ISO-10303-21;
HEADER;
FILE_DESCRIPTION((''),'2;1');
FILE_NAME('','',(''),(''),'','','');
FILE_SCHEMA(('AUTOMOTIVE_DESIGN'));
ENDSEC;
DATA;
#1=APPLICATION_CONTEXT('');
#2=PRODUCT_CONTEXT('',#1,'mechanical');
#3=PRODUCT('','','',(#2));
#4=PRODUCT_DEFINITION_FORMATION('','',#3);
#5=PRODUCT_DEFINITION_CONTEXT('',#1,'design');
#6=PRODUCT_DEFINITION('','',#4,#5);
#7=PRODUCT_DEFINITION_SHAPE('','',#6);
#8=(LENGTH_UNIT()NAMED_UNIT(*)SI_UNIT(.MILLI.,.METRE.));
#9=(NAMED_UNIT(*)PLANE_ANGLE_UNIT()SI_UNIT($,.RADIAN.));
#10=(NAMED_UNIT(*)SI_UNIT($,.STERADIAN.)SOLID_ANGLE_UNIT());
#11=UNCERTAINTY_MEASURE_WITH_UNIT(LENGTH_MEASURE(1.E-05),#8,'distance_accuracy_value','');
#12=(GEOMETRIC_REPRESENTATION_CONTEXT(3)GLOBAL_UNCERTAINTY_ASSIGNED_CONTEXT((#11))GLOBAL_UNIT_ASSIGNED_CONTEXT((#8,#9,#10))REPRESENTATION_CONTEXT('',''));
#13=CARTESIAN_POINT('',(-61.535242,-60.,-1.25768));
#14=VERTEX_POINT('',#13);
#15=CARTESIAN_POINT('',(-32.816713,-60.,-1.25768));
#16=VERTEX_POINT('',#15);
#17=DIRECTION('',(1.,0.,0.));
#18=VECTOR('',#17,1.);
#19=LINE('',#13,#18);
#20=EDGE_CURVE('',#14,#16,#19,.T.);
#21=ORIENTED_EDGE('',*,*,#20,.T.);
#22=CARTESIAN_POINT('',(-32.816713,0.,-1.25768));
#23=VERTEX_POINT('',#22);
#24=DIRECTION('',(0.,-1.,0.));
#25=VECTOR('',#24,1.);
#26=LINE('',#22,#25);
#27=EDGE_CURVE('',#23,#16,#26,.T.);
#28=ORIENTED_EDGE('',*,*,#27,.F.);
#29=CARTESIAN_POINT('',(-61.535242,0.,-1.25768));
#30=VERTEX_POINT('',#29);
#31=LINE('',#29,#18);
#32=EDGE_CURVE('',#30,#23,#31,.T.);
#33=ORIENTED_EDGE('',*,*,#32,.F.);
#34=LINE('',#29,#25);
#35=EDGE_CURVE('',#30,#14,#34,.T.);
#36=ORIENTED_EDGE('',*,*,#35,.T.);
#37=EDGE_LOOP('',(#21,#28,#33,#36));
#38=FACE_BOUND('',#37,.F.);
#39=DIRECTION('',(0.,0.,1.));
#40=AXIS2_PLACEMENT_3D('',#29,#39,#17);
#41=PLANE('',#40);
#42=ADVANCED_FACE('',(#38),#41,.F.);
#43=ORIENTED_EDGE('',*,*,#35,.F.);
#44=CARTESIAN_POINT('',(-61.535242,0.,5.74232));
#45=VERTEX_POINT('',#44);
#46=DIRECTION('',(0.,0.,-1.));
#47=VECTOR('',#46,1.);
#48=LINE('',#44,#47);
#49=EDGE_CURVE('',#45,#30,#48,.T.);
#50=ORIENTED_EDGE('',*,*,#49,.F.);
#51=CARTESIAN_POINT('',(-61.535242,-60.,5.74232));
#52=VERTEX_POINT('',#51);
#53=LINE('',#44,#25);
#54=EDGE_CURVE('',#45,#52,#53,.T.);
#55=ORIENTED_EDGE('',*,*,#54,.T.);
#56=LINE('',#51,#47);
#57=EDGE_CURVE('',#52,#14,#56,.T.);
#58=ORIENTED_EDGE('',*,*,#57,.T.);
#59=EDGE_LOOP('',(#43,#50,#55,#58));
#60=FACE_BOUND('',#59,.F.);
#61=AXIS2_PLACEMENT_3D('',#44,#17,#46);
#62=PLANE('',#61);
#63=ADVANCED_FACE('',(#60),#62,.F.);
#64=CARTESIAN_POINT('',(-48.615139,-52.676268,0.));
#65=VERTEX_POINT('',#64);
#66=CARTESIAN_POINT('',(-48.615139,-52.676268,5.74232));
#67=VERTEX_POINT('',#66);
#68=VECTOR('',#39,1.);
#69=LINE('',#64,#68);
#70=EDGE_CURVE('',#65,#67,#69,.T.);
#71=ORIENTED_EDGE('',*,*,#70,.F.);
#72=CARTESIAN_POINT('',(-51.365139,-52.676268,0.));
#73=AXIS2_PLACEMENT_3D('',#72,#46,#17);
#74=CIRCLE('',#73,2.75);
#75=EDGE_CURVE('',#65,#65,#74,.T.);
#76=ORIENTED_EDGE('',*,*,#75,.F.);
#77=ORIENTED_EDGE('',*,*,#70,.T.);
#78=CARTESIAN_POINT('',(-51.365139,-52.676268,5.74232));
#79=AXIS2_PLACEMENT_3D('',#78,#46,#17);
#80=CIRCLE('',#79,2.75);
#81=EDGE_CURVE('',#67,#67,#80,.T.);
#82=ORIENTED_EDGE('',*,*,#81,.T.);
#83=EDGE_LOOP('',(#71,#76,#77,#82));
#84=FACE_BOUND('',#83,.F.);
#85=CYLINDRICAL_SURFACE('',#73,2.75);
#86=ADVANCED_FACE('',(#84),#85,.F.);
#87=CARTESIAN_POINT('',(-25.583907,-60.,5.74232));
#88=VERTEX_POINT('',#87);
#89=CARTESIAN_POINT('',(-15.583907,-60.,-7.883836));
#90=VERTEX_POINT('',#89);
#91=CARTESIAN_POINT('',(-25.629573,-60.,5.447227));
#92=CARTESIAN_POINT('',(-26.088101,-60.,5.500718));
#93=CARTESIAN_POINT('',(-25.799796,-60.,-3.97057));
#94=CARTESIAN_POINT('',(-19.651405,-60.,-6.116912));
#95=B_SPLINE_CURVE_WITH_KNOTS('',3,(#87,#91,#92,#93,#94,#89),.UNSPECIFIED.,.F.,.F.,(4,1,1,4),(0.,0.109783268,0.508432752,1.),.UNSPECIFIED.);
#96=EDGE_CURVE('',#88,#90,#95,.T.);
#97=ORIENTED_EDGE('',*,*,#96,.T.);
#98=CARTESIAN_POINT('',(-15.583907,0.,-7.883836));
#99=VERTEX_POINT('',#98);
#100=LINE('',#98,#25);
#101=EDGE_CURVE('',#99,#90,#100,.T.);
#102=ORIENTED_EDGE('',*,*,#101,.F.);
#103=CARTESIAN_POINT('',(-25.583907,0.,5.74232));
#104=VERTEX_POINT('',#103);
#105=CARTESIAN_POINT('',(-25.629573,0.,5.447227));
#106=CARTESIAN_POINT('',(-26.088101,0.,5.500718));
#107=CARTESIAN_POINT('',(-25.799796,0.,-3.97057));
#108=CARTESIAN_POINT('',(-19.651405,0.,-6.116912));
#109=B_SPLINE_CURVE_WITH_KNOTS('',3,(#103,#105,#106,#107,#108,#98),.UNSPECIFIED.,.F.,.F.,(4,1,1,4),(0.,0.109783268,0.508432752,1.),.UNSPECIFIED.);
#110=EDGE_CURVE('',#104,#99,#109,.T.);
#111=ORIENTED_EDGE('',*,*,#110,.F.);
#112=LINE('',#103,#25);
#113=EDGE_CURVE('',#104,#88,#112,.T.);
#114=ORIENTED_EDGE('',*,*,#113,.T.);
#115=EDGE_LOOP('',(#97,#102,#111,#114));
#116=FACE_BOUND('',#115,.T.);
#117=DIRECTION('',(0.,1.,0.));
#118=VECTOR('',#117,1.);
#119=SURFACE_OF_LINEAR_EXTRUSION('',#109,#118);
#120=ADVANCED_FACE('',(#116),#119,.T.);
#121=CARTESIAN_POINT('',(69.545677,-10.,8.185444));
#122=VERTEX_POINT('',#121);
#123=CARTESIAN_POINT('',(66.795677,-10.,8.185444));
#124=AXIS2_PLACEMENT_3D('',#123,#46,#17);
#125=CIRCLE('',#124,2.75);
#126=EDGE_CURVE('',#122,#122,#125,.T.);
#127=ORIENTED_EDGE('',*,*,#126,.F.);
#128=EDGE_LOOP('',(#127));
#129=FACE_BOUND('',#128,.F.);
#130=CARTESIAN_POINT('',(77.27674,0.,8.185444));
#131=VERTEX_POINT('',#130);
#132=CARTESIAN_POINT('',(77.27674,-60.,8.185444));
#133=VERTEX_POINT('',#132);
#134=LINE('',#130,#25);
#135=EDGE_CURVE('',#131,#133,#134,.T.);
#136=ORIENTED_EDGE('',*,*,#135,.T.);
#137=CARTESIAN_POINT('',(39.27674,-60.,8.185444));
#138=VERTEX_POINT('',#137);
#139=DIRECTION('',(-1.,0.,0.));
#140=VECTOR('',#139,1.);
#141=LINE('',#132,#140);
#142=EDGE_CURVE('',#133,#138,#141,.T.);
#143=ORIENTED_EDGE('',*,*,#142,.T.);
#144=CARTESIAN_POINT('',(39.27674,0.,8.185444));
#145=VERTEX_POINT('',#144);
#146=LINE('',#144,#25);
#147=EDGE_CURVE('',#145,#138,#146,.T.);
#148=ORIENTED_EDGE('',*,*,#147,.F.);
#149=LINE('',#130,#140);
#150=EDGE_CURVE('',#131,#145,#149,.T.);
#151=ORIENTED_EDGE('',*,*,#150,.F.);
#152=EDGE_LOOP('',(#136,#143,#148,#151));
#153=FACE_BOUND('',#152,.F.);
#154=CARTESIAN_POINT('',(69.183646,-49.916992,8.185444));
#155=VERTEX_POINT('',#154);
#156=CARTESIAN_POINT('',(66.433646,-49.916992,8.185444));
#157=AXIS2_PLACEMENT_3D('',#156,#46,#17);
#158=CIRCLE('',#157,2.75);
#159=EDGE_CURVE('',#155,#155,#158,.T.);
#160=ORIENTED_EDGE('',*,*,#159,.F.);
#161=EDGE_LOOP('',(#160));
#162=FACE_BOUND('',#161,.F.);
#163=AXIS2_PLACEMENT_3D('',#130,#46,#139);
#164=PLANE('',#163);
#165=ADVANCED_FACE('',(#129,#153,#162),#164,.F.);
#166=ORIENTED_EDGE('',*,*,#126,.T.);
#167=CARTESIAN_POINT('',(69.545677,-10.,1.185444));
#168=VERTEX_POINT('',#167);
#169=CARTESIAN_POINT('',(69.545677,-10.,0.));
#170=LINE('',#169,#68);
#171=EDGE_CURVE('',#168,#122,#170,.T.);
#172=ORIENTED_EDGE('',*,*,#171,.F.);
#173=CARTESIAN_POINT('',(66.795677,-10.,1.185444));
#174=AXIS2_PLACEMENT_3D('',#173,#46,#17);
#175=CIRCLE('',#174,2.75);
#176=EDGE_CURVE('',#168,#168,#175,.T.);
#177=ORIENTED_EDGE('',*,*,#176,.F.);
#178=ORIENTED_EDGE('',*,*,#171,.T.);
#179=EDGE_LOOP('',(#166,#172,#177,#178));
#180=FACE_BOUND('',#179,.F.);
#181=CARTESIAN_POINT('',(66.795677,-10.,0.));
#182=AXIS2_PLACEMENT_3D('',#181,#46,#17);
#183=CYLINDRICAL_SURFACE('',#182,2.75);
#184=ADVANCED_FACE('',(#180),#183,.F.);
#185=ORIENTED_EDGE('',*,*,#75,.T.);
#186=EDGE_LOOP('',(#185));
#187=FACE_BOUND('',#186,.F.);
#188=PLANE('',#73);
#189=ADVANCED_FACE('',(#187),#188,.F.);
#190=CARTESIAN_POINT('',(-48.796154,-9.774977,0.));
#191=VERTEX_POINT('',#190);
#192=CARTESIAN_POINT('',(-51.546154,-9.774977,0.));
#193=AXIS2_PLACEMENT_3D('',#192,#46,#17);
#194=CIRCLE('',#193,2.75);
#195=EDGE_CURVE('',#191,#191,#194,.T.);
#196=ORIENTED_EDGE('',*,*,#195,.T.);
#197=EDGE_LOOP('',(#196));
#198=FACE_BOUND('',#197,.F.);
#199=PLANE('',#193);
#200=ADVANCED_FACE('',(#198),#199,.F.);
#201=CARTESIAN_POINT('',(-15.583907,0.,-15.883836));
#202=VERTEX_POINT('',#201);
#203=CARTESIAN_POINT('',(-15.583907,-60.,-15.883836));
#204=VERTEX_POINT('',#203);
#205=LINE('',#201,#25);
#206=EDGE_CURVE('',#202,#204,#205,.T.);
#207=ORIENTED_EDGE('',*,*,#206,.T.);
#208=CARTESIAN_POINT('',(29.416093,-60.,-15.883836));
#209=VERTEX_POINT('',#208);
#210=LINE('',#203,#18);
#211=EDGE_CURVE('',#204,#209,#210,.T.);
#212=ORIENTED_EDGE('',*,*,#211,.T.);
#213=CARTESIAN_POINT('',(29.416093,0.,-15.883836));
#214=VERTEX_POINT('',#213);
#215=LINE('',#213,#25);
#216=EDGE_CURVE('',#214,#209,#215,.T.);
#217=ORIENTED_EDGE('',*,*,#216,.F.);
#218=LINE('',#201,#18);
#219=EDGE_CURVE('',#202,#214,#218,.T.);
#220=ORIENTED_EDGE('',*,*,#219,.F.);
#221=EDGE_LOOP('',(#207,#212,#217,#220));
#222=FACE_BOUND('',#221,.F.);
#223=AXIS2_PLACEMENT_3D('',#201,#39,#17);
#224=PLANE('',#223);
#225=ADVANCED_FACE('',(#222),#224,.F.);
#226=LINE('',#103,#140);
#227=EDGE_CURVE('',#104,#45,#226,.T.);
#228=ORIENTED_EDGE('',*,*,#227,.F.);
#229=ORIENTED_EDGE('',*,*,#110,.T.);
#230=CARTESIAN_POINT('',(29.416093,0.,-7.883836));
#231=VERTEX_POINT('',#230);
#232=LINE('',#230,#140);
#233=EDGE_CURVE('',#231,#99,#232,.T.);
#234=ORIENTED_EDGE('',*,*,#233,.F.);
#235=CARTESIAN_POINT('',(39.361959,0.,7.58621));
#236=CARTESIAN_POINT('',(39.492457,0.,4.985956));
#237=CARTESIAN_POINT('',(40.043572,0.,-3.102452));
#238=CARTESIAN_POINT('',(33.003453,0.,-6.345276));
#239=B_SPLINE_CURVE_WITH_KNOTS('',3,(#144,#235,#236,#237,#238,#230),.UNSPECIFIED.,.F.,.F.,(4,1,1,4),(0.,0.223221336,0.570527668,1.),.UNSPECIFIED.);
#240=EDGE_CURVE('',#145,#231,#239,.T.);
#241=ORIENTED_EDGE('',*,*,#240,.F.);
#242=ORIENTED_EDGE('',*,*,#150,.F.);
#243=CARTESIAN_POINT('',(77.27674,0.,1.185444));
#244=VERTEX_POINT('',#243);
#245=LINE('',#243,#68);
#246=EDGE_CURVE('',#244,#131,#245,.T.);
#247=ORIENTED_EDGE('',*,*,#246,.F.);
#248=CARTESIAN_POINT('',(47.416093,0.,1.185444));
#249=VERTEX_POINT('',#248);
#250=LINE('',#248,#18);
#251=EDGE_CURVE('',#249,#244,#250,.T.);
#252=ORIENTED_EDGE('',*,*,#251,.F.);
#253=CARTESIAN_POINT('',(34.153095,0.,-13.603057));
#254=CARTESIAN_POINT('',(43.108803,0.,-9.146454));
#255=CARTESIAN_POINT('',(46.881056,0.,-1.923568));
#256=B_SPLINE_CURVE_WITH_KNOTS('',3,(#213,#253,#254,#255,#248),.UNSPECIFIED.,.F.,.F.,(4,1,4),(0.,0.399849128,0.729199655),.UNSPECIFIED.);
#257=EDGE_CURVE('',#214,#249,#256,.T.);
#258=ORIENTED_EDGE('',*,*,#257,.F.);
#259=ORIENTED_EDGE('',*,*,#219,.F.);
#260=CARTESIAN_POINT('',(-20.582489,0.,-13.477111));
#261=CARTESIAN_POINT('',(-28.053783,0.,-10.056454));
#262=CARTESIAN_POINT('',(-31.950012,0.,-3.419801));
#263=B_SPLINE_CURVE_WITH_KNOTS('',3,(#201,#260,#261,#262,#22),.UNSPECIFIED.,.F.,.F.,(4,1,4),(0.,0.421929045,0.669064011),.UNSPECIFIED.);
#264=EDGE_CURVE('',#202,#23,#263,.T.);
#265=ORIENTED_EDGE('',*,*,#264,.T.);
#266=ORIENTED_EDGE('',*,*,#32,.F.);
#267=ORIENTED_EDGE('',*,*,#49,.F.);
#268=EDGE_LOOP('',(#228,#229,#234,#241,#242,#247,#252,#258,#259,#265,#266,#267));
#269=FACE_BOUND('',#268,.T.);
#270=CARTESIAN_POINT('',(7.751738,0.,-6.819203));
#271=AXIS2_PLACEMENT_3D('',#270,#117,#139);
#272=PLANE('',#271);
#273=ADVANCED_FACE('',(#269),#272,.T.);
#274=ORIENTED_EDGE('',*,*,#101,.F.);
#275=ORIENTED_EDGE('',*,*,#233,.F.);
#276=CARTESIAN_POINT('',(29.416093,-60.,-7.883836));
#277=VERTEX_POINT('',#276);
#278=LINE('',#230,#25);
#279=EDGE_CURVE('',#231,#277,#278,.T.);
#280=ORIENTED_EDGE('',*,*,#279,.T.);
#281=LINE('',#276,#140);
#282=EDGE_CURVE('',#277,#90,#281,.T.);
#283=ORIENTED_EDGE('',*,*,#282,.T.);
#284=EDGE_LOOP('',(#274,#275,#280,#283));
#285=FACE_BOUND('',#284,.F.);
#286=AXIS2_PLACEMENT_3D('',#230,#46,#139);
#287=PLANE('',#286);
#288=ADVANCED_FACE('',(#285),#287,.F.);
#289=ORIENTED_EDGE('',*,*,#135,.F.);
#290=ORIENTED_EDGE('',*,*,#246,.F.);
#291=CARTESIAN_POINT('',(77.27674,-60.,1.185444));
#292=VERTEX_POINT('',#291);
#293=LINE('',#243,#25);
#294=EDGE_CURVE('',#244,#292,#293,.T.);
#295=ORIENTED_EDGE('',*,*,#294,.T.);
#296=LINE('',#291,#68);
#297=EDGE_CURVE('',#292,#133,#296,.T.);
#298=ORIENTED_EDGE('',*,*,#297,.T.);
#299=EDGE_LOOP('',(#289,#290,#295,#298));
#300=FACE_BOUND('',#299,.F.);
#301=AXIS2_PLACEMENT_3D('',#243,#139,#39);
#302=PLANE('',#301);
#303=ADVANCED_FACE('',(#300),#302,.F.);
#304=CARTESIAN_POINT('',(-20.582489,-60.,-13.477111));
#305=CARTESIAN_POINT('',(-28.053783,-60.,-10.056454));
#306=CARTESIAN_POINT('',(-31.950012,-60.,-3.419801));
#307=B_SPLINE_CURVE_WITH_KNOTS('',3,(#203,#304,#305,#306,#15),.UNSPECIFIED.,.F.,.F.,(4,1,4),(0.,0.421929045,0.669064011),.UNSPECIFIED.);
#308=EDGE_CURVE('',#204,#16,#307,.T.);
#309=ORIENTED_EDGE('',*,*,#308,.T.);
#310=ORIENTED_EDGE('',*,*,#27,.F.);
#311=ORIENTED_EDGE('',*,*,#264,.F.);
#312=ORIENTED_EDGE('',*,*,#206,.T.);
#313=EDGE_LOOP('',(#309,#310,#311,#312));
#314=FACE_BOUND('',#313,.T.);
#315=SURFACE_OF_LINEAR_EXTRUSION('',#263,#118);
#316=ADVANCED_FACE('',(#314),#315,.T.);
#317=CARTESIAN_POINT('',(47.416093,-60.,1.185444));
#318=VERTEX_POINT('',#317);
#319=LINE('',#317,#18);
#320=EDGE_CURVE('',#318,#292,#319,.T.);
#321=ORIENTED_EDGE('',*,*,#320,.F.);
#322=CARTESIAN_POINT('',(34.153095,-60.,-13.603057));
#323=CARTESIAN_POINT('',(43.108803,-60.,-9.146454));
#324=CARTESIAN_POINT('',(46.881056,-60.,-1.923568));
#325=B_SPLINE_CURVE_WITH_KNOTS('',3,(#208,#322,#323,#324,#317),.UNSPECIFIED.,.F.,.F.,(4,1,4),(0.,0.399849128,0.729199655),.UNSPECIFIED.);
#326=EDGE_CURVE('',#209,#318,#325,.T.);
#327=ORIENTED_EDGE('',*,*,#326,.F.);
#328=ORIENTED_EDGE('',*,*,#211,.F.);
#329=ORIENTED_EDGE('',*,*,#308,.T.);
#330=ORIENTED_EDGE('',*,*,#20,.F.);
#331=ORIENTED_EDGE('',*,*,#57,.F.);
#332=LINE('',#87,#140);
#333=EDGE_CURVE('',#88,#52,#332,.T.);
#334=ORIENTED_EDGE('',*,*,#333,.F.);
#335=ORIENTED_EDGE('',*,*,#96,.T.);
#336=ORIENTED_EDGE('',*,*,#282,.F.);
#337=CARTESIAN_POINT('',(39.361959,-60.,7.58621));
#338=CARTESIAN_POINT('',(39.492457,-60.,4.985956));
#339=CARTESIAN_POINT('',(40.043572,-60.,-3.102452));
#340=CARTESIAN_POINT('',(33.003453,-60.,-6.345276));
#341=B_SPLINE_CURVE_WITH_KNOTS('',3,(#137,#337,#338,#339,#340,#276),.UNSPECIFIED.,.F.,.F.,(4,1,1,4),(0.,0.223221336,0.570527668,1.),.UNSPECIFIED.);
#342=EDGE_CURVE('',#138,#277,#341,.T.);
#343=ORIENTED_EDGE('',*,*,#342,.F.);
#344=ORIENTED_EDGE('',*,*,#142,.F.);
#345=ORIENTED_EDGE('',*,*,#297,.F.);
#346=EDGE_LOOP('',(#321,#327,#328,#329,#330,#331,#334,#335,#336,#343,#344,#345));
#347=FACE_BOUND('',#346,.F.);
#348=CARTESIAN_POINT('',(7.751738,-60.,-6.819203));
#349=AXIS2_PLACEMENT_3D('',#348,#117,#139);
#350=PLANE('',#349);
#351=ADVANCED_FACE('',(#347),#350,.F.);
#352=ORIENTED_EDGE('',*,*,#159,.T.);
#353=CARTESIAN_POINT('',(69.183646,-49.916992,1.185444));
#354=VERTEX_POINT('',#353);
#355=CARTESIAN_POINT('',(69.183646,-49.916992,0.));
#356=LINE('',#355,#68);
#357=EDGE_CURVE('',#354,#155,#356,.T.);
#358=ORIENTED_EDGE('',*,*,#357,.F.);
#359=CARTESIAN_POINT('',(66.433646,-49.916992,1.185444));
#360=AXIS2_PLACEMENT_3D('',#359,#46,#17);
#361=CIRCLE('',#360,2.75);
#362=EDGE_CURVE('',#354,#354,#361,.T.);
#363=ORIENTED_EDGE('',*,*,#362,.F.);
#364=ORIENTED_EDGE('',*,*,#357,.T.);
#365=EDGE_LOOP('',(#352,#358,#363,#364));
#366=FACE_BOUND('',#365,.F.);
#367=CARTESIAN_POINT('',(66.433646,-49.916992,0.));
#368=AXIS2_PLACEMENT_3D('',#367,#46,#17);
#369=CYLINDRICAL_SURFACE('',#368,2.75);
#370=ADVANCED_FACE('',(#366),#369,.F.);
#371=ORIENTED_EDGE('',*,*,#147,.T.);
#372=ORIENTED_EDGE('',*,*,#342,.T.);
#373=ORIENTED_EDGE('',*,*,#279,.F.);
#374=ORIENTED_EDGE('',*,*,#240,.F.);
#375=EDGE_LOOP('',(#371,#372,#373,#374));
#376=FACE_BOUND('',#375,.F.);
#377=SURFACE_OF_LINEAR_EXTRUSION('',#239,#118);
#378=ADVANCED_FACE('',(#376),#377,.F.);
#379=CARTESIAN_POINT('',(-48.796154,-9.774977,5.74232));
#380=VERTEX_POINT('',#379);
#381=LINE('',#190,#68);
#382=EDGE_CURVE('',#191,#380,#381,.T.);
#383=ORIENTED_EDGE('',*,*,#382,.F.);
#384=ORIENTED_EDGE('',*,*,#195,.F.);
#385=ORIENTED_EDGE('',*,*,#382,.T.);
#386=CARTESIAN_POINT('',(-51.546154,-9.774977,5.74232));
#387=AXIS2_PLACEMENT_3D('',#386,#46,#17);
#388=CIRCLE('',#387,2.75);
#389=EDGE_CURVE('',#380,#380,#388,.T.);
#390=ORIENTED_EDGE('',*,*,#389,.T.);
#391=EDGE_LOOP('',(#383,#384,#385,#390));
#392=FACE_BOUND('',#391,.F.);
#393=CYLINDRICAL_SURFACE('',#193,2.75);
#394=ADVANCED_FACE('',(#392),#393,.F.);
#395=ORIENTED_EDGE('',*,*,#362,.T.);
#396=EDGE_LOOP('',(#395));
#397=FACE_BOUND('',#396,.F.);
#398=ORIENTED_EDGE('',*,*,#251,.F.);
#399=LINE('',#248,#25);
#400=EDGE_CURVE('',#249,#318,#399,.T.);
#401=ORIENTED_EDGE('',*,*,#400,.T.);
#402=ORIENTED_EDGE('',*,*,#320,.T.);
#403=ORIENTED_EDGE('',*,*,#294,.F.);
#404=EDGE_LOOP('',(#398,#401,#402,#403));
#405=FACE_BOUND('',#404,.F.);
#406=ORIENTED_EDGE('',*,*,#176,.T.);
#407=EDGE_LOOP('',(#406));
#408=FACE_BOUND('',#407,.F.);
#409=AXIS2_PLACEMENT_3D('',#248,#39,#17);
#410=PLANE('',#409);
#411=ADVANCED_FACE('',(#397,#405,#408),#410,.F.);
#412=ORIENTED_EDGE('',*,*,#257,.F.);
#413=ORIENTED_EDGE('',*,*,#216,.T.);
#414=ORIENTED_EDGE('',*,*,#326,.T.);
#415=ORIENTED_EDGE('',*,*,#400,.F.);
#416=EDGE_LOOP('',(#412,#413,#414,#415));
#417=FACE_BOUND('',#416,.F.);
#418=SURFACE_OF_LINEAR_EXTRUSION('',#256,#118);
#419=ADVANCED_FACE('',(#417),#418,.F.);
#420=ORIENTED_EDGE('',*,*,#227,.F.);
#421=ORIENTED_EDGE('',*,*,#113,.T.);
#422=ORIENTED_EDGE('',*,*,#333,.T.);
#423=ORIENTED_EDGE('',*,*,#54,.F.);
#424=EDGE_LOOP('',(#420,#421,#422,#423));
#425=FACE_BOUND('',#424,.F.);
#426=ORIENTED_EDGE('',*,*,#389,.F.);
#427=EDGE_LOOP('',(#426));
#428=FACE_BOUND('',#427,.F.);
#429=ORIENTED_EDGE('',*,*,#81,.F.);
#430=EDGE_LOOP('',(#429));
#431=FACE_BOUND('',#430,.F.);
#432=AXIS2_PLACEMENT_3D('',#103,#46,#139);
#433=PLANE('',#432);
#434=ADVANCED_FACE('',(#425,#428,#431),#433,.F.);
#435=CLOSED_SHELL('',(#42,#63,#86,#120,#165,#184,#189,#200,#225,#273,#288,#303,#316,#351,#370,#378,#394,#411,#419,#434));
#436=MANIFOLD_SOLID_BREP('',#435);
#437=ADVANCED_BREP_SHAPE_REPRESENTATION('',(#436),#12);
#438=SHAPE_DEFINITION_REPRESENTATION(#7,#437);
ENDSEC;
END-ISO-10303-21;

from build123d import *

# Parameters (mm, degrees)
F1_DEPTH = 60
F3_D     = 5.5
F3_DEPTH = 8.1864443024


with BuildPart() as f1:
    # F0 (on Front) → F1 (new body)
    with BuildSketch(Plane.XZ):
        with BuildLine():
            add(Edge.make_bspline(
                [(-15.583907237, -15.8838359451), (-20.5824892786, -13.477111449), (-28.0537829979, -10.0564542715), (-31.9500121866, -3.4198011879), (-32.8167130693, -1.257680403)],
                knots=[0, 0, 0, 0, 0.4219290451, 0.6690640109, 0.6690640109, 0.6690640109, 0.6690640109], degree=3))
            Line((-15.583907237, -15.8838359451), (29.416092763, -15.8838359451))
            add(Edge.make_bspline(
                [(29.416092763, -15.8838359451), (34.1530946184, -13.6030574546), (43.1088029683, -9.1464536212), (46.8810559285, -1.9235678582), (47.416092763, 1.1854442024)],
                knots=[0, 0, 0, 0, 0.3998491278, 0.7291996551, 0.7291996551, 0.7291996551, 0.7291996551], degree=3))
            add(Edge.make_bspline(
                [(47.416092763, 1.1854442024), (47.8560135991, 3.7417526601), (47.5058024929, 6.194436423), (47.2767397559, 8.1854442024)],
                knots=[0.7291996551, 0.7291996551, 0.7291996551, 0.7291996551, 1, 1, 1, 1], degree=3))
            Line((47.2767397559, 8.1854442024), (39.2767397559, 8.1854442024))
            add(Edge.make_bspline(
                [(39.2767397559, 8.1854442024), (39.3619593635, 7.5862095484), (39.492456624, 4.9859560823), (40.0435719709, -3.1024520767), (33.0034534151, -6.3452761482), (29.416092763, -7.8838359451)],
                knots=[0, 0, 0, 0, 0.2232213361, 0.5705276676, 1, 1, 1, 1], degree=3))
            Line((29.416092763, -7.8838359451), (-15.583907237, -7.8838359451))
            add(Edge.make_bspline(
                [(-25.583907237, 5.742319597), (-25.6295728817, 5.4472272167), (-26.0881012762, 5.5007178793), (-25.799795578, -3.9705698), (-19.6514046239, -6.1169119214), (-15.583907237, -7.8838359451)],
                knots=[0, 0, 0, 0, 0.1097832683, 0.5084327524, 1, 1, 1, 1], degree=3))
            Line((-25.583907237, 5.742319597), (-33.583907237, 5.742319597))
            add(Edge.make_bspline(
                [(-32.8167130693, -1.257680403), (-33.1688240586, -0.3792845182), (-34.0179781462, 2.3586099694), (-33.7789093205, 4.0473661957), (-33.583907237, 5.742319597)],
                knots=[0.6690640109, 0.6690640109, 0.6690640109, 0.6690640109, 0.7694665132, 1, 1, 1, 1], degree=3))
        make_face()
        with BuildLine():
            Line((-61.5352420683, -1.257680403), (-32.8167130693, -1.257680403))
            add(Edge.make_bspline(
                [(-32.8167130693, -1.257680403), (-33.1688240586, -0.3792845182), (-34.0179781462, 2.3586099694), (-33.7789093205, 4.0473661957), (-33.583907237, 5.742319597)],
                knots=[0.6690640109, 0.6690640109, 0.6690640109, 0.6690640109, 0.7694665132, 1, 1, 1, 1], degree=3))
            Line((-33.583907237, 5.742319597), (-61.5352420683, 5.742319597))
            Line((-61.5352420683, 5.742319597), (-61.5352420683, -1.257680403))
        make_face()
        with BuildLine():
            add(Edge.make_bspline(
                [(47.416092763, 1.1854442024), (47.8560135991, 3.7417526601), (47.5058024929, 6.194436423), (47.2767397559, 8.1854442024)],
                knots=[0.7291996551, 0.7291996551, 0.7291996551, 0.7291996551, 1, 1, 1, 1], degree=3))
            Line((47.416092763, 1.1854442024), (77.2767397559, 1.1854442024))
            Line((77.2767397559, 1.1854442024), (77.2767397559, 8.1854442024))
            Line((77.2767397559, 8.1854442024), (47.2767397559, 8.1854442024))
        make_face()
    extrude(amount=F1_DEPTH)

    # F3 (through all, one way)
    with BuildSketch(Plane(origin=(0, 0, 0), x_dir=(1, 0, 0), z_dir=(0, 0, -1))):
        with Locations((66.4336457849, 49.9169917405), (66.7956769466, 10), (-51.5461543202, 9.7749773413), (-51.3651387393, 52.6762679219)):
            Circle(F3_D / 2)
    extrude(amount=-F3_DEPTH, mode=Mode.SUBTRACT)


solid = f1.part
